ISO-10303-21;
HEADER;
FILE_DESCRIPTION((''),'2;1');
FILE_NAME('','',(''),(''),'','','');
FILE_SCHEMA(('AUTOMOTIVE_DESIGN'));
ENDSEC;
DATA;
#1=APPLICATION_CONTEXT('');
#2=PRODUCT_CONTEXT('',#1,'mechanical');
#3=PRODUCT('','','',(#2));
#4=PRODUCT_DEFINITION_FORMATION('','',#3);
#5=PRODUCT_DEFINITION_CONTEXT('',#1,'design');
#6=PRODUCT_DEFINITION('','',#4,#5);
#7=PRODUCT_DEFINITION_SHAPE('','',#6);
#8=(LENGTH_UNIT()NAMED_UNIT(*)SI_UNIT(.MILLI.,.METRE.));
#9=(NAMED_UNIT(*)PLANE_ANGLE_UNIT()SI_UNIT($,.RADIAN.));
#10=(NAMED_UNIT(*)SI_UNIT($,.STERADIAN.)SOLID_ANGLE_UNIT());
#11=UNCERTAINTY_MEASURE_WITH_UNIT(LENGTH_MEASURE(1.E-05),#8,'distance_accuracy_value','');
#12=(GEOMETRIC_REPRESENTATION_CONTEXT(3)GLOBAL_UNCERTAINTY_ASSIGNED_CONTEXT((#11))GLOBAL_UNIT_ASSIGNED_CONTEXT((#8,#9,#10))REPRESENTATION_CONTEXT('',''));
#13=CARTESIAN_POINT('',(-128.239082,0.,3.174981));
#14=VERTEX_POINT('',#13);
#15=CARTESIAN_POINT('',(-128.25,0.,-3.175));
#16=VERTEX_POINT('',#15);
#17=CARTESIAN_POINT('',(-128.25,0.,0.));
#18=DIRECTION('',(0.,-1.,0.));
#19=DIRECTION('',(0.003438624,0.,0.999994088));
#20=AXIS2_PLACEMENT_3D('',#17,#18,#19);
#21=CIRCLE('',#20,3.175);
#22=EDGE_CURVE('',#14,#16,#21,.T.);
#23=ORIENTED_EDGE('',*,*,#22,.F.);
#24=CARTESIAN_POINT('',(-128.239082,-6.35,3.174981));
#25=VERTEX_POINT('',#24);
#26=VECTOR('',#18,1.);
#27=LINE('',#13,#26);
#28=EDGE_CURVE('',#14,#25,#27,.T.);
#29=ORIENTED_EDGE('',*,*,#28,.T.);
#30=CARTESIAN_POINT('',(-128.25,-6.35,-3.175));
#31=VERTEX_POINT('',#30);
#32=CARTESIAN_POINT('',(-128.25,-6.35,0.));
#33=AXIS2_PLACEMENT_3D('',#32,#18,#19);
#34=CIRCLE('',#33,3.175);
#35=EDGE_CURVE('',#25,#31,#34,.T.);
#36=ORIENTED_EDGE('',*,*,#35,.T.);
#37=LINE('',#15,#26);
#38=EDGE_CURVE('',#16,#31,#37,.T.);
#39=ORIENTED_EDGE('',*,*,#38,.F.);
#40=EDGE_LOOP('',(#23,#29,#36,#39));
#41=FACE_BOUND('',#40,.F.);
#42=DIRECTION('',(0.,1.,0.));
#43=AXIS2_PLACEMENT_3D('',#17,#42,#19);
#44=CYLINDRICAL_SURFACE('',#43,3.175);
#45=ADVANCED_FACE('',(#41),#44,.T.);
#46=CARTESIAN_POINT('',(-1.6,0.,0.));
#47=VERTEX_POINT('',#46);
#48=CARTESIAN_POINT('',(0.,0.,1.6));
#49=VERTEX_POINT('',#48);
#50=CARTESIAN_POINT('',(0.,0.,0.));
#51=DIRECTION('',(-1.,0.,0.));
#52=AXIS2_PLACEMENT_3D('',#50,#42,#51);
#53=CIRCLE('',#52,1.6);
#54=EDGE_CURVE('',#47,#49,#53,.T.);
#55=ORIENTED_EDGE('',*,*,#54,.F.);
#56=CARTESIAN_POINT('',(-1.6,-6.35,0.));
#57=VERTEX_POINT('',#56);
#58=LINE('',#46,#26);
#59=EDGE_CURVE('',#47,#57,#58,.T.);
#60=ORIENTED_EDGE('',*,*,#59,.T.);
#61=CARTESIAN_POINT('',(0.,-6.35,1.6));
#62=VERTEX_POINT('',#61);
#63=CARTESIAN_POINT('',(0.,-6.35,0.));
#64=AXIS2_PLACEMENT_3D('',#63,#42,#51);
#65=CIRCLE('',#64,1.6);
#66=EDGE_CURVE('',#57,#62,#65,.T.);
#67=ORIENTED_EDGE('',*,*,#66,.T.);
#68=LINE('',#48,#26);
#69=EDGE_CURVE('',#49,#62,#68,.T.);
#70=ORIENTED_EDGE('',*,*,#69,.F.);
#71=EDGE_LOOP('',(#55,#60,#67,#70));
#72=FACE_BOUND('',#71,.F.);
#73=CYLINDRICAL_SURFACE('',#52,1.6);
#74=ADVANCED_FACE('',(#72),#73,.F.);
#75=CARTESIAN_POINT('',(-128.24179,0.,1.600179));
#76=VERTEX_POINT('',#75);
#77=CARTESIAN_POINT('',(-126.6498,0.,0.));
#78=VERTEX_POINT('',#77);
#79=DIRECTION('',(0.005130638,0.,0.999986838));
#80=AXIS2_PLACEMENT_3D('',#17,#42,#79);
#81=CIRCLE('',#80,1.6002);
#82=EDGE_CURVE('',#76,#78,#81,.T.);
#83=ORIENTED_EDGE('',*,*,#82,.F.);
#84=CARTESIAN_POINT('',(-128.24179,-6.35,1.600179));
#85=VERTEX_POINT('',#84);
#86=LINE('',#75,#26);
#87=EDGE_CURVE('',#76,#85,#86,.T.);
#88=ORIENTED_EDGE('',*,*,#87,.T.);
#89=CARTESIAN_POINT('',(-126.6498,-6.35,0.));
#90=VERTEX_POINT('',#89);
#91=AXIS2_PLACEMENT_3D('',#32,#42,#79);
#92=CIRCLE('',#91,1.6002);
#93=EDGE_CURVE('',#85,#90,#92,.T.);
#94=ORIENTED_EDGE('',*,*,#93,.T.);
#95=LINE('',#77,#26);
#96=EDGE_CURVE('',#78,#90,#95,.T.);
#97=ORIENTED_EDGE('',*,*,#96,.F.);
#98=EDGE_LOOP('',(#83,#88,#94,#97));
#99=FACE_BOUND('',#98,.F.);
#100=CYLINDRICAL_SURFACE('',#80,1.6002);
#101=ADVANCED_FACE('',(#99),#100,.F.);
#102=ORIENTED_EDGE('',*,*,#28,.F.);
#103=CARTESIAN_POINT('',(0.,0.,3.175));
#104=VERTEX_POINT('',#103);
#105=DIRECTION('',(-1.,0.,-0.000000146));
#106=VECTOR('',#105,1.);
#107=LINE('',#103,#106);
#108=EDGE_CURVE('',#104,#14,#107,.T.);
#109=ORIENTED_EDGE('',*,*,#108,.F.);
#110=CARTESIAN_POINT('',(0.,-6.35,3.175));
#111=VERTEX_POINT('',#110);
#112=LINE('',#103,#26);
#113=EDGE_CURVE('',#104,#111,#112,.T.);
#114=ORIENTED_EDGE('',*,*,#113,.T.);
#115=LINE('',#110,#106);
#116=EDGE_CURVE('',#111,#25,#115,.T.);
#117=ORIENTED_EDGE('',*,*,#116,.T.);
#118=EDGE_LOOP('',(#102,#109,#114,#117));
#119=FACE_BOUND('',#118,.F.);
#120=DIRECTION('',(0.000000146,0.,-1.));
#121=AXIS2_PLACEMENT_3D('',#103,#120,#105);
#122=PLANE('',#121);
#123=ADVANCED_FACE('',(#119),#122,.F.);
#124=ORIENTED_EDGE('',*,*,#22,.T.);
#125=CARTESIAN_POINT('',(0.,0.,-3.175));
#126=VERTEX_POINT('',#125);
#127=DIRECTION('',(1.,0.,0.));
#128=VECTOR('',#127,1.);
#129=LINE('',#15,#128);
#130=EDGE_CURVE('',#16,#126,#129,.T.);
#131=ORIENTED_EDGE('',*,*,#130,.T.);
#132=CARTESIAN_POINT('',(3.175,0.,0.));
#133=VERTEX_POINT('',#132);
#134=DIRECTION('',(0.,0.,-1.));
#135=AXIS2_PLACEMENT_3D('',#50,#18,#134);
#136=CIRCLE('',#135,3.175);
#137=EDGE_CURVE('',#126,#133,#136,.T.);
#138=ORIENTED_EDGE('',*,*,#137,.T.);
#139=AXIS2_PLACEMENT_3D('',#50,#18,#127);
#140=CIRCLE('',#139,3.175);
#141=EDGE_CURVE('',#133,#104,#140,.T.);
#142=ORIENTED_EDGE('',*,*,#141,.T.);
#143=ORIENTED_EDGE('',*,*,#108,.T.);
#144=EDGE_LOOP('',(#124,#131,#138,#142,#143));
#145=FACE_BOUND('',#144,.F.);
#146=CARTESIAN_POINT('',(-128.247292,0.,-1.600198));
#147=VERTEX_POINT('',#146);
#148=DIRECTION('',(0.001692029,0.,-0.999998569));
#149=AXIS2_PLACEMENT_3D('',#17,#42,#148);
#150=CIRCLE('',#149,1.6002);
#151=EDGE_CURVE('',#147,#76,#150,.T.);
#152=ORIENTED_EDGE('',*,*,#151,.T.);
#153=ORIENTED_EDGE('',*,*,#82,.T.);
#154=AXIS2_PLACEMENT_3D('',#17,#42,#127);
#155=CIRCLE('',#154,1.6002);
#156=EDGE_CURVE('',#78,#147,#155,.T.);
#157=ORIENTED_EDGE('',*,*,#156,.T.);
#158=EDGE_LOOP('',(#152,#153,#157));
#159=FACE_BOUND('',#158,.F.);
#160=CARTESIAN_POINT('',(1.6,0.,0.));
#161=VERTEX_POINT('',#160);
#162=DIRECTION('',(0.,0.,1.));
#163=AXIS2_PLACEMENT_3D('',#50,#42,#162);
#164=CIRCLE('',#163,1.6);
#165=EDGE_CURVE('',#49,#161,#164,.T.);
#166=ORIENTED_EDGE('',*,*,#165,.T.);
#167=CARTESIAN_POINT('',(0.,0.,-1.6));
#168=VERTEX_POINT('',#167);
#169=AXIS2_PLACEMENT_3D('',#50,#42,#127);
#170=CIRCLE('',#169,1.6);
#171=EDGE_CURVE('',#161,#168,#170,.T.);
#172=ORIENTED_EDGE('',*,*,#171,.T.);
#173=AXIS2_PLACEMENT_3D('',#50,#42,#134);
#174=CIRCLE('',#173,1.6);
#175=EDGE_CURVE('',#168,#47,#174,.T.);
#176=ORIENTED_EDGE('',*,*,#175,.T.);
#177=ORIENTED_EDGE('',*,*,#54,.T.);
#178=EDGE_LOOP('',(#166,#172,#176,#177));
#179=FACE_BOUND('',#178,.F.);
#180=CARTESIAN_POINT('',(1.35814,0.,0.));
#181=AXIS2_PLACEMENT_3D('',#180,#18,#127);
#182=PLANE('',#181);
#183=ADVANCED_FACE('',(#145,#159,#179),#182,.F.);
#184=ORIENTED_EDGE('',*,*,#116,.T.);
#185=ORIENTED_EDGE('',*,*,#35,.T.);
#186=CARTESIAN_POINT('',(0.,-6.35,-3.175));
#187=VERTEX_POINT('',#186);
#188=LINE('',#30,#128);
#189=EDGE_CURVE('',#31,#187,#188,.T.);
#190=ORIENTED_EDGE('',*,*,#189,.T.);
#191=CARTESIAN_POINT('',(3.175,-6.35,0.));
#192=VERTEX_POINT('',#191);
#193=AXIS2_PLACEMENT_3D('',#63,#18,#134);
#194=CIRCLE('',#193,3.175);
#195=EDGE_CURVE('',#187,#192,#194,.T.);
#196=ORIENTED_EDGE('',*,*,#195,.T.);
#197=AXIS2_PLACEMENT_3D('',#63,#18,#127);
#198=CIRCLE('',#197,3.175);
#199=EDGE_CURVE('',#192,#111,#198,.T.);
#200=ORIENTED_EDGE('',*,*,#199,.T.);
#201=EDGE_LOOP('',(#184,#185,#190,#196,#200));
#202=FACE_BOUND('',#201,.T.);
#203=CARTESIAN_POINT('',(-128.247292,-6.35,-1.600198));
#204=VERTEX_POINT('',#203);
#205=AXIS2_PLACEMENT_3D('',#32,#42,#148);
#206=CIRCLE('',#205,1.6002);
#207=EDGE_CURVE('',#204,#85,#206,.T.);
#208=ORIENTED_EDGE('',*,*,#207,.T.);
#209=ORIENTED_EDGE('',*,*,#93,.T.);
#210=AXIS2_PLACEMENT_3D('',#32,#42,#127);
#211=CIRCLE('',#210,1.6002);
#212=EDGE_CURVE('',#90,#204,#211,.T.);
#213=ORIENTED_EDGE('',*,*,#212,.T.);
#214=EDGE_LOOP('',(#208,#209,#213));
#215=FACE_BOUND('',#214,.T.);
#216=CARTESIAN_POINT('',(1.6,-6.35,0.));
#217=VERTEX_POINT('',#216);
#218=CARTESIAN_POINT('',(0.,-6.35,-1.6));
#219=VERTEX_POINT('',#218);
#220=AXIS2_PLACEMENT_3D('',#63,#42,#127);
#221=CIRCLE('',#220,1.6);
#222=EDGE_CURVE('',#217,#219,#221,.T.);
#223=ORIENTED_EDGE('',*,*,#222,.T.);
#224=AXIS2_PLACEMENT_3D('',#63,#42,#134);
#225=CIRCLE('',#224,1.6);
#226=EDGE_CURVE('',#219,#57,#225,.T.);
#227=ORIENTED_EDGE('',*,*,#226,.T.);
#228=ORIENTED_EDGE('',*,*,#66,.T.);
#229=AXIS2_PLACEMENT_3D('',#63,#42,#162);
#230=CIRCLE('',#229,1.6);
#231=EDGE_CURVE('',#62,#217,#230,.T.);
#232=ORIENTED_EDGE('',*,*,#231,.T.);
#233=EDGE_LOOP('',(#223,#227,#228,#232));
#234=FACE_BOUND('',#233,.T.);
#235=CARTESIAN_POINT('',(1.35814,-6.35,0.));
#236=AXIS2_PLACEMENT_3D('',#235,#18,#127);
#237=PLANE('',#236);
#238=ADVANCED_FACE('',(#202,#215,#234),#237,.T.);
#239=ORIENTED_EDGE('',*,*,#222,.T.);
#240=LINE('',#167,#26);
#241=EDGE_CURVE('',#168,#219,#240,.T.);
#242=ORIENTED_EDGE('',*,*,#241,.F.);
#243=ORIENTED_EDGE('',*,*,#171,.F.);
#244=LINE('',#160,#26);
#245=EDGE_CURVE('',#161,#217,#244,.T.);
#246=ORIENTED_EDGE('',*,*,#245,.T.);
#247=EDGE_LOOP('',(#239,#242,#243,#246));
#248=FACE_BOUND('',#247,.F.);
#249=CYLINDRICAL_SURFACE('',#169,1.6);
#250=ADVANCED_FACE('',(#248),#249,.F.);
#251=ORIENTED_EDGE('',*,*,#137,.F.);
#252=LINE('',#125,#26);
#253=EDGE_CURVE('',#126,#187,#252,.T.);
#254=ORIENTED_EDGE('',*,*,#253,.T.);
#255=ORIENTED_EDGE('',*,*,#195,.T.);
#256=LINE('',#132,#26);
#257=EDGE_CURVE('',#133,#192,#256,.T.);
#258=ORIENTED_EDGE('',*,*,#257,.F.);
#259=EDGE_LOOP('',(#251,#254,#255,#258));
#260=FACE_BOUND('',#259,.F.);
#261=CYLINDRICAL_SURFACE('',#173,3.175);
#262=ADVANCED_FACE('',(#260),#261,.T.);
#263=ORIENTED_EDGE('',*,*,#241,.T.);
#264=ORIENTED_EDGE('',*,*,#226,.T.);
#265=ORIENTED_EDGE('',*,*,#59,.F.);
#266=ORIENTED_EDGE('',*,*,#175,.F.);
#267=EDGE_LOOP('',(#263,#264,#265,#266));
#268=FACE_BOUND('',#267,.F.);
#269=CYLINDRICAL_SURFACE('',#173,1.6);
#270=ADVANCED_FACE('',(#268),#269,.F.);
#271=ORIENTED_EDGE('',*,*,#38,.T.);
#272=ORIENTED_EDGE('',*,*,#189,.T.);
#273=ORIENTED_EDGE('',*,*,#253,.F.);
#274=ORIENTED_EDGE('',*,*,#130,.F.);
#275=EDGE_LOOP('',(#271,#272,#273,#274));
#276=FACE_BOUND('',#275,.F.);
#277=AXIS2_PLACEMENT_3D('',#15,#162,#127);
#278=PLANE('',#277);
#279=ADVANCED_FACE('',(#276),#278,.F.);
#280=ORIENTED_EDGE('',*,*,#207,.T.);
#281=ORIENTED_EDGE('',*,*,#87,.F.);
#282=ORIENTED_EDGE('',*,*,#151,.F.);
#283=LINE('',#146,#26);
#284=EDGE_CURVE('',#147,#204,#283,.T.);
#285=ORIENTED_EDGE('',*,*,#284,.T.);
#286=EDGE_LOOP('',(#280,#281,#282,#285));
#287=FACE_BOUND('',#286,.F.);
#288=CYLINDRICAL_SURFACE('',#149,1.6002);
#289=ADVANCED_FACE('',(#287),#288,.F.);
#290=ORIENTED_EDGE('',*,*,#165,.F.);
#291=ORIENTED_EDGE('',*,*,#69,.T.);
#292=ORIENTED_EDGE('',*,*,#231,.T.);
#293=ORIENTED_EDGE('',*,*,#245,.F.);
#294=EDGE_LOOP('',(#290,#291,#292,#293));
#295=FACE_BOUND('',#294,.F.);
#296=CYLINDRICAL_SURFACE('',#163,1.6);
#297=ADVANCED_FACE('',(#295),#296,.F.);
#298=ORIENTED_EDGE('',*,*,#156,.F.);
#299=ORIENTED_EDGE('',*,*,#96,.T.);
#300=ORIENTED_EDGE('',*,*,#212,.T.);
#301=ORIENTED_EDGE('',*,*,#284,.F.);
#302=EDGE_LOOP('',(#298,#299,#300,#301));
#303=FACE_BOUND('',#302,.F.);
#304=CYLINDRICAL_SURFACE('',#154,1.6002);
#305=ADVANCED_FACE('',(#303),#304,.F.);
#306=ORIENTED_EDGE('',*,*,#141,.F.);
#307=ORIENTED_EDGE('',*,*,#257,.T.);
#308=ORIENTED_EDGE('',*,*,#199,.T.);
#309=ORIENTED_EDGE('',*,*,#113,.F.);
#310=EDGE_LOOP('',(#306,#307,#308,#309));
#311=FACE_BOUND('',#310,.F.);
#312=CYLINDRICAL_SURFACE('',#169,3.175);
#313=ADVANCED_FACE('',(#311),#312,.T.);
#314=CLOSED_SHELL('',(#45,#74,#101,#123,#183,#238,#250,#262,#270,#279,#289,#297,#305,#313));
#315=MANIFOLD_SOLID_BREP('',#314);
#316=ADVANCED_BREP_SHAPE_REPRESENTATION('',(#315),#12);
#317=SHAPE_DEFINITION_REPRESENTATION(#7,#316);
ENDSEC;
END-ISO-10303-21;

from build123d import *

# Parameters (mm, degrees)
F1_DEPTH = 6.35


with BuildPart() as f1:
    # F0 (on Front) → F1 (new body)
    with BuildSketch(Plane.XZ):
        with BuildLine():
            ThreePointArc((0, 1.6), (1.1313708499, 1.1313708499), (1.6, 0))
            ThreePointArc((1.6, 0), (1.1313708499, -1.1313708499), (0, -1.6))
            Line((0, -1.6), (0, -3.175))
            ThreePointArc((0, -3.175), (2.2450640303, -2.2450640303), (3.175, 0))
            ThreePointArc((3.175, 0), (2.2450640303, 2.2450640303), (0, 3.175))
            Line((0, 3.175), (0, 1.6))
        make_face()
        with BuildLine():
            ThreePointArc((-1.6, 0), (-1.1313708499, 1.1313708499), (0, 1.6))
            Line((0, 1.6), (0, 3.175))
            ThreePointArc((0, 3.175), (-2.2450640303, 2.2450640303), (-3.175, 0))
            Line((-3.175, 0), (-1.6, 0))
        make_face()
        with BuildLine():
            Line((0, -3.175), (0, -1.6))
            ThreePointArc((0, -1.6), (-1.1313708499, -1.1313708499), (-1.6, 0))
            Line((-1.6, 0), (-3.175, 0))
            ThreePointArc((-3.175, 0), (-2.2450640303, -2.2450640303), (0, -3.175))
        make_face()
        with BuildLine():
            ThreePointArc((-3.175, 0), (-2.2450640303, 2.2450640303), (0, 3.175))
            Line((0, 3.175), (-128.2390823674, 3.1749812291))
            ThreePointArc((-128.2390823674, 3.1749812291), (-126.0010793162, 2.2412007403), (-125.075, 0))
            Line((-125.075, 0), (-3.175, 0))
        make_face()
        with BuildLine():
            Line((-128.25, -3.175), (0, -3.175))
            ThreePointArc((0, -3.175), (-2.2450640303, -2.2450640303), (-3.175, 0))
            Line((-3.175, 0), (-125.075, 0))
            ThreePointArc((-125.075, 0), (-126.0049359697, -2.2450640303), (-128.25, -3.175))
        make_face()
        with BuildLine():
            Line((-128.2417899522, 1.6001789385), (-128.2390823674, 3.1749812291))
            ThreePointArc((-128.2390823674, 3.1749812291), (-131.4249953073, 0.0054588244), (-128.25, -3.175))
            Line((-128.25, -3.175), (-128.2472924152, -1.6001977093))
            ThreePointArc((-128.2472924152, -1.6001977093), (-129.8501976349, 0.0027512475), (-128.2417899522, 1.6001789385))
        make_face()
        with BuildLine():
            ThreePointArc((-125.075, 0), (-126.0010793162, 2.2412007403), (-128.2390823674, 3.1749812291))
            Line((-128.2390823674, 3.1749812291), (-128.2417899522, 1.6001789385))
            ThreePointArc((-128.2417899522, 1.6001789385), (-127.1155887521, 1.1286058483), (-126.6498, 0))
            Line((-126.6498, 0), (-125.075, 0))
        make_face()
        with BuildLine():
            Line((-128.2472924152, -1.6001977093), (-128.25, -3.175))
            ThreePointArc((-128.25, -3.175), (-126.0049359697, -2.2450640303), (-125.075, 0))
            Line((-125.075, 0), (-126.6498, 0))
            ThreePointArc((-126.6498, 0), (-127.1175308575, -1.1305545902), (-128.2472924152, -1.6001977093))
        make_face()
    extrude(amount=F1_DEPTH)


solid = f1.part
